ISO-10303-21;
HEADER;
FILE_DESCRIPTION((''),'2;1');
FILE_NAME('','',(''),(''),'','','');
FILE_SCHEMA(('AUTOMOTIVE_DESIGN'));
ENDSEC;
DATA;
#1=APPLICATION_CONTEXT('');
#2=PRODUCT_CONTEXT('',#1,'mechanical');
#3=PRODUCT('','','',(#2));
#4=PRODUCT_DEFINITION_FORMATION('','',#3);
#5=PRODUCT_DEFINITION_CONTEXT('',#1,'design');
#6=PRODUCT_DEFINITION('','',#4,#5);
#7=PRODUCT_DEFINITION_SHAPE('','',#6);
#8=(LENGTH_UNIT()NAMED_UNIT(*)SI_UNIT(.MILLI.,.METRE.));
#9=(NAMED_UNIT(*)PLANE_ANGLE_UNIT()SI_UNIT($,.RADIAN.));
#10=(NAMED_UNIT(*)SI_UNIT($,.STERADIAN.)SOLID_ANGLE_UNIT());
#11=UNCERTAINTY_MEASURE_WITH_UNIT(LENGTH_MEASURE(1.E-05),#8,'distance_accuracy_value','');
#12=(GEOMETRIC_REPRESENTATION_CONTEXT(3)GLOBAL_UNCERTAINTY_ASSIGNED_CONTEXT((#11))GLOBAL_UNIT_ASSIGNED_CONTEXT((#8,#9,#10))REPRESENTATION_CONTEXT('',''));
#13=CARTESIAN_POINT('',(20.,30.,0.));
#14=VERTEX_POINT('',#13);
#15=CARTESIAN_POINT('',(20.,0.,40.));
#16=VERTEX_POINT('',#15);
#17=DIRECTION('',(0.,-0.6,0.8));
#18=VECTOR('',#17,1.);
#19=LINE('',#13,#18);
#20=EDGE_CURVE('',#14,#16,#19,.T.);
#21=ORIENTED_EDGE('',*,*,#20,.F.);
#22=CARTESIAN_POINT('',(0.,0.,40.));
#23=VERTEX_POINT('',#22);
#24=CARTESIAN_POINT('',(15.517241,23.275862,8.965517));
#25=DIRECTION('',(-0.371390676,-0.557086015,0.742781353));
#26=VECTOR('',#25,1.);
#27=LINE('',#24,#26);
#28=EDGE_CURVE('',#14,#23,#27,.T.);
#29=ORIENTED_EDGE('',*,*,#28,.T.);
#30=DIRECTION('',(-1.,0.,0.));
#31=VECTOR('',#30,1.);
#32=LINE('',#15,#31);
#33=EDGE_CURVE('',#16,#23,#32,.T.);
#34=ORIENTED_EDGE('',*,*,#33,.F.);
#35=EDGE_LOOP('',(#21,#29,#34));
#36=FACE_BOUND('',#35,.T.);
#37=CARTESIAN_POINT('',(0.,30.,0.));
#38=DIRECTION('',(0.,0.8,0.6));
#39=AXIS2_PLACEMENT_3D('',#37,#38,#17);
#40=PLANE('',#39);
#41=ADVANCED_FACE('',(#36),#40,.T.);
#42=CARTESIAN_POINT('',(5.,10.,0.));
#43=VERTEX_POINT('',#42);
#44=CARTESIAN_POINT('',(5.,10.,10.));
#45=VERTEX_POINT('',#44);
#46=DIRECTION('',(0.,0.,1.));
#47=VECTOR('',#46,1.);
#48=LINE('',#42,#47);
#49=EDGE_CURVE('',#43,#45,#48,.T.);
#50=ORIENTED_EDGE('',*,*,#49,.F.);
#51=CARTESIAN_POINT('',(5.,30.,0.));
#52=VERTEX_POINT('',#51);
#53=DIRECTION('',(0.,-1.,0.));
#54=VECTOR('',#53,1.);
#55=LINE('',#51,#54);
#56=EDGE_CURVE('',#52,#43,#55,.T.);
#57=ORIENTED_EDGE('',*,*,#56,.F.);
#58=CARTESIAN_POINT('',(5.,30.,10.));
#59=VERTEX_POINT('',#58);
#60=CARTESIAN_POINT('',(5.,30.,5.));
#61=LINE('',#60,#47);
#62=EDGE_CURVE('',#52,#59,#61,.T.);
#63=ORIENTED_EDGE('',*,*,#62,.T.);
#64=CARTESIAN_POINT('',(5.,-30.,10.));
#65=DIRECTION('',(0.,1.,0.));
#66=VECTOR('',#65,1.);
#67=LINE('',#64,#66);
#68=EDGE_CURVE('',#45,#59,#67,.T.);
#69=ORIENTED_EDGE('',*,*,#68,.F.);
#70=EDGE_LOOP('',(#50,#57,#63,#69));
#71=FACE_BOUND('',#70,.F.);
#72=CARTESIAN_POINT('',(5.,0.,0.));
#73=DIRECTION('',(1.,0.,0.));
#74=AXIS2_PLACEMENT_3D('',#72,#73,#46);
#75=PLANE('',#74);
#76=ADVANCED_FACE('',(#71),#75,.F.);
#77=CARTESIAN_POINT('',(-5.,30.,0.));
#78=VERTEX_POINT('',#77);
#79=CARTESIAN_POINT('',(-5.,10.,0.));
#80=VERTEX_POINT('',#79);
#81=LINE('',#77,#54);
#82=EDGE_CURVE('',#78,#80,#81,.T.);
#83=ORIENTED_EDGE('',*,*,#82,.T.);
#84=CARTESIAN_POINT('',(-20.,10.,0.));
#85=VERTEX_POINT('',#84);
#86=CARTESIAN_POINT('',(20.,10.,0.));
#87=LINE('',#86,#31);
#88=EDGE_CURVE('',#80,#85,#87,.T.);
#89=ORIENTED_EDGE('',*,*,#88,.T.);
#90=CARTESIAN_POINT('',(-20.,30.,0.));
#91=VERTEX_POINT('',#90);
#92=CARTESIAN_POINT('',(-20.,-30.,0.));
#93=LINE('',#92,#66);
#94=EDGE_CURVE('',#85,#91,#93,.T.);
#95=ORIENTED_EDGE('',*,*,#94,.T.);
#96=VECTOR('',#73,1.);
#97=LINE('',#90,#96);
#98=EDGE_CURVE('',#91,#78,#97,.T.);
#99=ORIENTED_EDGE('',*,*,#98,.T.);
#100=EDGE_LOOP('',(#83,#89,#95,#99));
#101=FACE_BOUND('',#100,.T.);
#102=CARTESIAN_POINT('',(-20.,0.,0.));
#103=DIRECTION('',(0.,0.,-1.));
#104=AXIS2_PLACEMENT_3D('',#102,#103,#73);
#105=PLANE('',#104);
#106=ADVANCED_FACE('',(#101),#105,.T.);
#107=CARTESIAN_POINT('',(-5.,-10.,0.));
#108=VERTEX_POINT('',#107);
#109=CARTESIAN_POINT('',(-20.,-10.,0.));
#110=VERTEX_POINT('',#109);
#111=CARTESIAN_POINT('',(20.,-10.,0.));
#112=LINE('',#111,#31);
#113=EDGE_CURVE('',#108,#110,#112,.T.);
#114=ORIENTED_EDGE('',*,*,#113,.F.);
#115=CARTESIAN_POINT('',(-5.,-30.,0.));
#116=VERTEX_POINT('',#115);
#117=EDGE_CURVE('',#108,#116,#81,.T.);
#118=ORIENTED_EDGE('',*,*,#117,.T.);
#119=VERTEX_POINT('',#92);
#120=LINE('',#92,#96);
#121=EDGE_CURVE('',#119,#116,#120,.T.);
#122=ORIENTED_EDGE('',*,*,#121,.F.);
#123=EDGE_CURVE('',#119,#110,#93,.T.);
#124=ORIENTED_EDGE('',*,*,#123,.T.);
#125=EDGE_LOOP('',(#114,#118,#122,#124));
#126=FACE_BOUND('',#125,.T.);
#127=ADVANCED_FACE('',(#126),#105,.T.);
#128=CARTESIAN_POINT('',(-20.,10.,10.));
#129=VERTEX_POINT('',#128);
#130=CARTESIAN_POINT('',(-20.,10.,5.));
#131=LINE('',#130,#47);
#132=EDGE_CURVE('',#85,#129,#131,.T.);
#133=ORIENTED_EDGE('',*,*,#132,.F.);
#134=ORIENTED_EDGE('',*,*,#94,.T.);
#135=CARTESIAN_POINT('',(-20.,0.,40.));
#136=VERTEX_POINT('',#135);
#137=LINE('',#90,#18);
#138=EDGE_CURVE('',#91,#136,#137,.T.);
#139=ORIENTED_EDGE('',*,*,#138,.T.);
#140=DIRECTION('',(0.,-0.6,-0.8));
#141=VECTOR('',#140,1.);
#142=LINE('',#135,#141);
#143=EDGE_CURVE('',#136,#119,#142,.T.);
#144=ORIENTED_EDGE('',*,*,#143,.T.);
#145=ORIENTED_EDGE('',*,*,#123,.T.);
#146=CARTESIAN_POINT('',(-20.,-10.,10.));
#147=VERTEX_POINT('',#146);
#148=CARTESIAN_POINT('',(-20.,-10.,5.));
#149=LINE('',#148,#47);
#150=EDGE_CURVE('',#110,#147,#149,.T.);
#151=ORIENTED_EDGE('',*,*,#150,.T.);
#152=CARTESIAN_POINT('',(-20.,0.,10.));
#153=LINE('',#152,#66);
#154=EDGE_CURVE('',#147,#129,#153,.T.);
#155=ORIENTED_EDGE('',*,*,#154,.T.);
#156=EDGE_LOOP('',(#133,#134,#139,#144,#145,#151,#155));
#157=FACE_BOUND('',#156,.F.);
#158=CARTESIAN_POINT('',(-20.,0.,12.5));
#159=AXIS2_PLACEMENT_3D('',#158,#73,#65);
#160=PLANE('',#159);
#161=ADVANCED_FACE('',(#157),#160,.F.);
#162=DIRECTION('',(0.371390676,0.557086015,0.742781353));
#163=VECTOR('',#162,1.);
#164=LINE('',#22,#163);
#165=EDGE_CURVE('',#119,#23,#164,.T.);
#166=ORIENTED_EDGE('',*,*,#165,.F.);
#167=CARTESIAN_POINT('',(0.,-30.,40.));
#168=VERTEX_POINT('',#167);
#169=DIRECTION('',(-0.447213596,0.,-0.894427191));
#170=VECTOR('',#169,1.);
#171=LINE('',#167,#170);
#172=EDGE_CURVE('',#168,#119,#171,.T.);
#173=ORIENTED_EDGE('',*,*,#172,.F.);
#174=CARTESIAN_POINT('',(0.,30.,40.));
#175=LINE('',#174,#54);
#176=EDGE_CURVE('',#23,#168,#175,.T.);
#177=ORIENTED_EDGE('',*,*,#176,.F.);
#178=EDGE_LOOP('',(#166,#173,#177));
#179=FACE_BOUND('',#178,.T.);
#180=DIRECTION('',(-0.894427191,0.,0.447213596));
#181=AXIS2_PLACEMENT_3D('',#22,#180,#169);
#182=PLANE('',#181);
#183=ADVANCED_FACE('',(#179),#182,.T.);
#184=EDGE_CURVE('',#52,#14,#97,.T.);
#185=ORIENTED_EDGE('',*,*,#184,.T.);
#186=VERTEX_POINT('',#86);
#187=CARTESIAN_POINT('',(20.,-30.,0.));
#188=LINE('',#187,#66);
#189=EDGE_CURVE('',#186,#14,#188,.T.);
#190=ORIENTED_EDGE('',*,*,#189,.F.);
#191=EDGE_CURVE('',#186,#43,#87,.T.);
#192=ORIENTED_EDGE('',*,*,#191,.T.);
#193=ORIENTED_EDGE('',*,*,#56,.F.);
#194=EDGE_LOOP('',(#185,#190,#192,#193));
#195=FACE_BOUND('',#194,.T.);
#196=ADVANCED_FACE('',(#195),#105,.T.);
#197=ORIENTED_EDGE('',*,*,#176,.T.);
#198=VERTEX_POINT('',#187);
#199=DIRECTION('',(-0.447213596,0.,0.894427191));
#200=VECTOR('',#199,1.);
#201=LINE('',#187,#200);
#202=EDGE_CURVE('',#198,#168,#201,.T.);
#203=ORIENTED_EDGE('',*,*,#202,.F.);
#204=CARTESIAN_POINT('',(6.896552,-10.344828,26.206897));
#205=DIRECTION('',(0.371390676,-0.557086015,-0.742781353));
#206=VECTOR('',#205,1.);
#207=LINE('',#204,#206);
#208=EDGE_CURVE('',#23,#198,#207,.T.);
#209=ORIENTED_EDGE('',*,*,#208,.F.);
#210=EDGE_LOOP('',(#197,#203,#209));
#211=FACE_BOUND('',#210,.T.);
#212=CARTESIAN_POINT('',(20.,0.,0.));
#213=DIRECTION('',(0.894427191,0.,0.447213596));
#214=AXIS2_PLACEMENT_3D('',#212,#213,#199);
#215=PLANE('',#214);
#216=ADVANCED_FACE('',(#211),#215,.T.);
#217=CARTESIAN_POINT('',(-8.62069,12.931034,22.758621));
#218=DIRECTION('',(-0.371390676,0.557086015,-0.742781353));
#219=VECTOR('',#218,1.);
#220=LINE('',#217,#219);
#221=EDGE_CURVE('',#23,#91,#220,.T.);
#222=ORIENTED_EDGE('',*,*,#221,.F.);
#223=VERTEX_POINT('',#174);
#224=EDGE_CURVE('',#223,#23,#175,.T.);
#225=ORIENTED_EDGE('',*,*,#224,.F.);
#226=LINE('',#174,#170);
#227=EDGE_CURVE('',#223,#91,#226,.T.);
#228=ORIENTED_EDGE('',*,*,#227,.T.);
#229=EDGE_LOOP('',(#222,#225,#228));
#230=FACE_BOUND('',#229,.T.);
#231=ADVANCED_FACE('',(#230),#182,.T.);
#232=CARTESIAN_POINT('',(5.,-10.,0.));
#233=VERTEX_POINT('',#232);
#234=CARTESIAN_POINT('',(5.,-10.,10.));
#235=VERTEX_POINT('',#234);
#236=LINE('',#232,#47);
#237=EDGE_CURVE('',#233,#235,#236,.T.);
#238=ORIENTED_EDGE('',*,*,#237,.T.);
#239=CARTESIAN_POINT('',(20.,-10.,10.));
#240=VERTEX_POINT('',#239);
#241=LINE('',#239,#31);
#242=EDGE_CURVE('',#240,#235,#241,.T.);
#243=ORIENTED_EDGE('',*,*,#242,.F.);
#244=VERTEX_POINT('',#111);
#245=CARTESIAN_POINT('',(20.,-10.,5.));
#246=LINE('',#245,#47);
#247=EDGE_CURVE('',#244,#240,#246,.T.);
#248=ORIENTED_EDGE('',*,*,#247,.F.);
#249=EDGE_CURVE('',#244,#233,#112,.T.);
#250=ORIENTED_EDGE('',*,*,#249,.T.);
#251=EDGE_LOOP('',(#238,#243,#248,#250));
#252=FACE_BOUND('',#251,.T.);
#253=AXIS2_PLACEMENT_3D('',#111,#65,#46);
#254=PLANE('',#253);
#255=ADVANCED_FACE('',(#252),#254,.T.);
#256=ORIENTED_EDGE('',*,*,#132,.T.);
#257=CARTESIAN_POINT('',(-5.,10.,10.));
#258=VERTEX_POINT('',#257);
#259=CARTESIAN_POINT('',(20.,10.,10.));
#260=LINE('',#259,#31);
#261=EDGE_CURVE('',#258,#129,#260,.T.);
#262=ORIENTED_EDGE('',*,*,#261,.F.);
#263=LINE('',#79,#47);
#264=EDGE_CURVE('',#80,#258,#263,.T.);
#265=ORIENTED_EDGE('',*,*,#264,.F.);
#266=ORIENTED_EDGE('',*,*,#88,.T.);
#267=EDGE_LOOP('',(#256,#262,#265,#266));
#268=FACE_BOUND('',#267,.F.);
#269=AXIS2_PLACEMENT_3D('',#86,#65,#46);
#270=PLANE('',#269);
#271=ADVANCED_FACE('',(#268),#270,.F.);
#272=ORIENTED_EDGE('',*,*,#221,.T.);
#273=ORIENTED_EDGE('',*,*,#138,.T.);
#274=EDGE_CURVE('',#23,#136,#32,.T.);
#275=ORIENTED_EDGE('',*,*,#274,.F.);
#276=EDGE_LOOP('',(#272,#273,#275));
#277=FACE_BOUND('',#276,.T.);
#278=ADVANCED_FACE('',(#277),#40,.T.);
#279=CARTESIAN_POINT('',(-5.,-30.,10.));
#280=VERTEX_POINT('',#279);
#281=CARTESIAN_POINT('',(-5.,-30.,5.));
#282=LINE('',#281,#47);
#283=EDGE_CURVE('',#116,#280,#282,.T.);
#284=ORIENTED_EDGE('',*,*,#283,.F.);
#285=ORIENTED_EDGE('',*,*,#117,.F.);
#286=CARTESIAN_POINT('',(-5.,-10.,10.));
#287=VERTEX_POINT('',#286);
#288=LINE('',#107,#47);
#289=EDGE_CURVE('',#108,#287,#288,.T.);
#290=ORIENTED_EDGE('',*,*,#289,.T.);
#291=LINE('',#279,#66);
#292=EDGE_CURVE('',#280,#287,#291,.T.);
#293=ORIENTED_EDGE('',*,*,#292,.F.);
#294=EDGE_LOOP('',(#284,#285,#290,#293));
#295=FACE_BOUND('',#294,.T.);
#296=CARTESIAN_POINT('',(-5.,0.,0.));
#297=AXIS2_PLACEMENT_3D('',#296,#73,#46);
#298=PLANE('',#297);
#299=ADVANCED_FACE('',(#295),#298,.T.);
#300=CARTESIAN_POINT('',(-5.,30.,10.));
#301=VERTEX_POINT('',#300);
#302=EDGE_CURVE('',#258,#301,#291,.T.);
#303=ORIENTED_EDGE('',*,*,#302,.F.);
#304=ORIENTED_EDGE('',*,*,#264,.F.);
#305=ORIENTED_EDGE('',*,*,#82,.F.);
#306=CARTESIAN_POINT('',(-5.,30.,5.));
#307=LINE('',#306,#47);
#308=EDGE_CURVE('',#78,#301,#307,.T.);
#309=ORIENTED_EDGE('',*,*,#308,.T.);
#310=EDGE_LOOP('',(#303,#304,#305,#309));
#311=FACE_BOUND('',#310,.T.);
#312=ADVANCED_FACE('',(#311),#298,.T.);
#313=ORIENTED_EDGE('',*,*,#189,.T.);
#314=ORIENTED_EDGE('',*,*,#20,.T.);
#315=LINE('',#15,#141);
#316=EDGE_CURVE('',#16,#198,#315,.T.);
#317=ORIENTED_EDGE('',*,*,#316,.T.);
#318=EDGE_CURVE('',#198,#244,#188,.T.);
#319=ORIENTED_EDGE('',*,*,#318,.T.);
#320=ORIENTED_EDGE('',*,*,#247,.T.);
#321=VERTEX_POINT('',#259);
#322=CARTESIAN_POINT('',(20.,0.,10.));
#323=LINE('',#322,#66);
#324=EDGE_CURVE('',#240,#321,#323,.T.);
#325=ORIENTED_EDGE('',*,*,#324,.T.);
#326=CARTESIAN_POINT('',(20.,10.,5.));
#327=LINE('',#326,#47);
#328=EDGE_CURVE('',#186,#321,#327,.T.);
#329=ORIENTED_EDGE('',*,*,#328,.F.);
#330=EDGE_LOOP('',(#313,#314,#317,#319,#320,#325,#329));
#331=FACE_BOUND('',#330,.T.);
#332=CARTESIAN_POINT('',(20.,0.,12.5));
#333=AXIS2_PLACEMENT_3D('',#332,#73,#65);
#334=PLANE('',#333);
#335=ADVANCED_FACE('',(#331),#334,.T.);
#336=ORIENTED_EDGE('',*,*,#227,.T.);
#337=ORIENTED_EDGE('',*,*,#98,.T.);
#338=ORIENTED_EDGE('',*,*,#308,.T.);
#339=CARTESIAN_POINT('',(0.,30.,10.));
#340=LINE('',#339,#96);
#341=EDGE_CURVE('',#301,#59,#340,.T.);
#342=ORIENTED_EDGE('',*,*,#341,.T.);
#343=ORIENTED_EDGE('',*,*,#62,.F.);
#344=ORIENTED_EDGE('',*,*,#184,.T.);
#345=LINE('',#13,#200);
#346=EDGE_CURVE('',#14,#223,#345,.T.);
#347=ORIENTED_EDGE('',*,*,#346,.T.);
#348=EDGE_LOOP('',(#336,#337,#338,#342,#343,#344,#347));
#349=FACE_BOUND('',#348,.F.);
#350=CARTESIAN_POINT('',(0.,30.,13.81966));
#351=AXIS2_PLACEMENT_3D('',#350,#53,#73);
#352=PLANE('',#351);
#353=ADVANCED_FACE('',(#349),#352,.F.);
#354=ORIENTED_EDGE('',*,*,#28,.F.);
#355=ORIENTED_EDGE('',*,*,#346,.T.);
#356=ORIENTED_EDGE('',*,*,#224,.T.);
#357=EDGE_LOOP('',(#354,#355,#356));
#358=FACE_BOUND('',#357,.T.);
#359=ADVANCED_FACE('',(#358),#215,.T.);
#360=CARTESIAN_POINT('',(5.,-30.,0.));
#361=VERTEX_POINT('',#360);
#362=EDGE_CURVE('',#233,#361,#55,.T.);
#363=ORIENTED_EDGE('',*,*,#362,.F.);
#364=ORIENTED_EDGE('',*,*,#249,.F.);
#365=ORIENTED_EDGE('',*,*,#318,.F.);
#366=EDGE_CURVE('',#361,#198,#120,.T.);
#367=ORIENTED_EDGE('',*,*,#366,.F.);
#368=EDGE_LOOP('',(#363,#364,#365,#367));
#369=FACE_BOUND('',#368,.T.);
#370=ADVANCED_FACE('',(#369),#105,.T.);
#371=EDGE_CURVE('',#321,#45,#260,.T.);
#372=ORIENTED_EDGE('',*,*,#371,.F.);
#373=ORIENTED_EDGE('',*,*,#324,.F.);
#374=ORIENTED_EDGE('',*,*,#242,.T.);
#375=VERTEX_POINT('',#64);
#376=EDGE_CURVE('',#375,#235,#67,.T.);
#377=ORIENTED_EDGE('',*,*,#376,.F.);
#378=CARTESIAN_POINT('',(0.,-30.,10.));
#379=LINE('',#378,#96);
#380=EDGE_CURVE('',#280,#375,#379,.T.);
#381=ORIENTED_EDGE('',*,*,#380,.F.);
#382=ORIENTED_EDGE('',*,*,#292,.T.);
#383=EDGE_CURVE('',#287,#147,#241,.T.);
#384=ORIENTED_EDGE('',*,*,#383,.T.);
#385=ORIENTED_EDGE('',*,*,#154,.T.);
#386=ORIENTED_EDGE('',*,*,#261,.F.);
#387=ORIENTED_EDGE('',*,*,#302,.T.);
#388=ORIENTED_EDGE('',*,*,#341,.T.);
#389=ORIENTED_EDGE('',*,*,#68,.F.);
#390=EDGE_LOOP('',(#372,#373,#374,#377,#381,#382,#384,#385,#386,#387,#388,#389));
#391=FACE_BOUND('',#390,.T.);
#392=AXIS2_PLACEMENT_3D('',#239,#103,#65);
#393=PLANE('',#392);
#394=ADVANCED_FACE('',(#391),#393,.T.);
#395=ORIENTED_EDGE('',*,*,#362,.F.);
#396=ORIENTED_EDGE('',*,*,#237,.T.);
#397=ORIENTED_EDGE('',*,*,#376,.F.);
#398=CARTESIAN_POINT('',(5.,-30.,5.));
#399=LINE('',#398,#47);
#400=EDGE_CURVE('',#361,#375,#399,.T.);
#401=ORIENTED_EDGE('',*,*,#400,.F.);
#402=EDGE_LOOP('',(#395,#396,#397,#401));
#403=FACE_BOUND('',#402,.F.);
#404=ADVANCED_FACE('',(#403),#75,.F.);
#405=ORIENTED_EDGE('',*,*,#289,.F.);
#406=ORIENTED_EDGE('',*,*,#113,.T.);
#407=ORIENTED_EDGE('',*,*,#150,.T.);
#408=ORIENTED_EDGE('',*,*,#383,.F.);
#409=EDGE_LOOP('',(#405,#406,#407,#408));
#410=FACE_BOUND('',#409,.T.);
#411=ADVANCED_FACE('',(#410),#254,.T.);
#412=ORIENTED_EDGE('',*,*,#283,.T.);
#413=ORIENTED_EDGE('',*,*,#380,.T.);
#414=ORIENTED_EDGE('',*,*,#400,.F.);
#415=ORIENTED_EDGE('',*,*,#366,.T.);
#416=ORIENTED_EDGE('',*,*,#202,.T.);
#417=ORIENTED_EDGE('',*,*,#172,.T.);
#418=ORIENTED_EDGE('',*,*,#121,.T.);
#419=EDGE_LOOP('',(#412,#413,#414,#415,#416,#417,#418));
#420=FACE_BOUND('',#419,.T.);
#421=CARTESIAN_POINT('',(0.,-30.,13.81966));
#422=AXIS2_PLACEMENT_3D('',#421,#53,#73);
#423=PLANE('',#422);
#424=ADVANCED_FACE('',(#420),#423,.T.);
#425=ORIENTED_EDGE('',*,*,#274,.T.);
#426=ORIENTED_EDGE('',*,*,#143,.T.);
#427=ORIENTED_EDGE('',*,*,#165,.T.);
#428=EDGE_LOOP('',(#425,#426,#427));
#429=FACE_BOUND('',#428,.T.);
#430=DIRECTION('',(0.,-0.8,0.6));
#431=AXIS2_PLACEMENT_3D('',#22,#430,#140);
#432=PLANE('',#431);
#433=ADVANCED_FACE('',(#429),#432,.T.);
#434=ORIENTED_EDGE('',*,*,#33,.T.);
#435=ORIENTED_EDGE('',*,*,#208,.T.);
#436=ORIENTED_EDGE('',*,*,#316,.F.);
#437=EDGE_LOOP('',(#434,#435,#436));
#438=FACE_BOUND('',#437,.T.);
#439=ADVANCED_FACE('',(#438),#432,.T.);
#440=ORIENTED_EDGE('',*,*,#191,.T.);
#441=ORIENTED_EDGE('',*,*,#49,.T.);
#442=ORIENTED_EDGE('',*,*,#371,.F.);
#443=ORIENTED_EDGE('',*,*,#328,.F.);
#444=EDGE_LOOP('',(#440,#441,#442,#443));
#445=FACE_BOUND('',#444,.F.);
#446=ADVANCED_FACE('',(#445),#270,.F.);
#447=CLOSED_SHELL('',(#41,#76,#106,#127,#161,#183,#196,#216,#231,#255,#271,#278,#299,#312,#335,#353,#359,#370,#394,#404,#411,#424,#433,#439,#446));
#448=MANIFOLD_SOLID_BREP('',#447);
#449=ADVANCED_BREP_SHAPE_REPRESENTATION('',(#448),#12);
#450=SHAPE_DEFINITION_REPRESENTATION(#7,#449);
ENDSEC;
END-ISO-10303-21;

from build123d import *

# Parameters (mm, degrees)
F1_DEPTH = 30
F3_DEPTH = 20
F4_W     = 10
F4_H     = 10
F5_DEPTH = 30
F6_W     = 20
F6_H     = 10
F7_DEPTH = 40


with BuildPart() as f1:
    # F0 (on Front) → F1 (new body, symmetric)
    with BuildSketch(Plane.XZ):
        Polygon((20, 0), (0, 40), (-20, 0), align=None)
    extrude(amount=F1_DEPTH, both=True)

    # F2 (on Right) → F3 (join, symmetric)
    with BuildSketch(Plane.YZ):
        Polygon((0, 40), (-30, 0), (30, 0), align=None)
    extrude(amount=F3_DEPTH, both=True)

    # F4 (on Front) → F5 (cut, symmetric)
    with BuildSketch(Plane.XZ):
        with Locations((0, 5)):
            Rectangle(F4_W, F4_H)
    extrude(amount=F5_DEPTH, both=True, mode=Mode.SUBTRACT)

    # F6 (on face) → F7 (cut)
    with BuildSketch(Plane.YZ.offset(20)):
        with Locations((0, 5)):
            Rectangle(F6_W, F6_H)
    extrude(amount=-F7_DEPTH, mode=Mode.SUBTRACT)


solid = f1.part
